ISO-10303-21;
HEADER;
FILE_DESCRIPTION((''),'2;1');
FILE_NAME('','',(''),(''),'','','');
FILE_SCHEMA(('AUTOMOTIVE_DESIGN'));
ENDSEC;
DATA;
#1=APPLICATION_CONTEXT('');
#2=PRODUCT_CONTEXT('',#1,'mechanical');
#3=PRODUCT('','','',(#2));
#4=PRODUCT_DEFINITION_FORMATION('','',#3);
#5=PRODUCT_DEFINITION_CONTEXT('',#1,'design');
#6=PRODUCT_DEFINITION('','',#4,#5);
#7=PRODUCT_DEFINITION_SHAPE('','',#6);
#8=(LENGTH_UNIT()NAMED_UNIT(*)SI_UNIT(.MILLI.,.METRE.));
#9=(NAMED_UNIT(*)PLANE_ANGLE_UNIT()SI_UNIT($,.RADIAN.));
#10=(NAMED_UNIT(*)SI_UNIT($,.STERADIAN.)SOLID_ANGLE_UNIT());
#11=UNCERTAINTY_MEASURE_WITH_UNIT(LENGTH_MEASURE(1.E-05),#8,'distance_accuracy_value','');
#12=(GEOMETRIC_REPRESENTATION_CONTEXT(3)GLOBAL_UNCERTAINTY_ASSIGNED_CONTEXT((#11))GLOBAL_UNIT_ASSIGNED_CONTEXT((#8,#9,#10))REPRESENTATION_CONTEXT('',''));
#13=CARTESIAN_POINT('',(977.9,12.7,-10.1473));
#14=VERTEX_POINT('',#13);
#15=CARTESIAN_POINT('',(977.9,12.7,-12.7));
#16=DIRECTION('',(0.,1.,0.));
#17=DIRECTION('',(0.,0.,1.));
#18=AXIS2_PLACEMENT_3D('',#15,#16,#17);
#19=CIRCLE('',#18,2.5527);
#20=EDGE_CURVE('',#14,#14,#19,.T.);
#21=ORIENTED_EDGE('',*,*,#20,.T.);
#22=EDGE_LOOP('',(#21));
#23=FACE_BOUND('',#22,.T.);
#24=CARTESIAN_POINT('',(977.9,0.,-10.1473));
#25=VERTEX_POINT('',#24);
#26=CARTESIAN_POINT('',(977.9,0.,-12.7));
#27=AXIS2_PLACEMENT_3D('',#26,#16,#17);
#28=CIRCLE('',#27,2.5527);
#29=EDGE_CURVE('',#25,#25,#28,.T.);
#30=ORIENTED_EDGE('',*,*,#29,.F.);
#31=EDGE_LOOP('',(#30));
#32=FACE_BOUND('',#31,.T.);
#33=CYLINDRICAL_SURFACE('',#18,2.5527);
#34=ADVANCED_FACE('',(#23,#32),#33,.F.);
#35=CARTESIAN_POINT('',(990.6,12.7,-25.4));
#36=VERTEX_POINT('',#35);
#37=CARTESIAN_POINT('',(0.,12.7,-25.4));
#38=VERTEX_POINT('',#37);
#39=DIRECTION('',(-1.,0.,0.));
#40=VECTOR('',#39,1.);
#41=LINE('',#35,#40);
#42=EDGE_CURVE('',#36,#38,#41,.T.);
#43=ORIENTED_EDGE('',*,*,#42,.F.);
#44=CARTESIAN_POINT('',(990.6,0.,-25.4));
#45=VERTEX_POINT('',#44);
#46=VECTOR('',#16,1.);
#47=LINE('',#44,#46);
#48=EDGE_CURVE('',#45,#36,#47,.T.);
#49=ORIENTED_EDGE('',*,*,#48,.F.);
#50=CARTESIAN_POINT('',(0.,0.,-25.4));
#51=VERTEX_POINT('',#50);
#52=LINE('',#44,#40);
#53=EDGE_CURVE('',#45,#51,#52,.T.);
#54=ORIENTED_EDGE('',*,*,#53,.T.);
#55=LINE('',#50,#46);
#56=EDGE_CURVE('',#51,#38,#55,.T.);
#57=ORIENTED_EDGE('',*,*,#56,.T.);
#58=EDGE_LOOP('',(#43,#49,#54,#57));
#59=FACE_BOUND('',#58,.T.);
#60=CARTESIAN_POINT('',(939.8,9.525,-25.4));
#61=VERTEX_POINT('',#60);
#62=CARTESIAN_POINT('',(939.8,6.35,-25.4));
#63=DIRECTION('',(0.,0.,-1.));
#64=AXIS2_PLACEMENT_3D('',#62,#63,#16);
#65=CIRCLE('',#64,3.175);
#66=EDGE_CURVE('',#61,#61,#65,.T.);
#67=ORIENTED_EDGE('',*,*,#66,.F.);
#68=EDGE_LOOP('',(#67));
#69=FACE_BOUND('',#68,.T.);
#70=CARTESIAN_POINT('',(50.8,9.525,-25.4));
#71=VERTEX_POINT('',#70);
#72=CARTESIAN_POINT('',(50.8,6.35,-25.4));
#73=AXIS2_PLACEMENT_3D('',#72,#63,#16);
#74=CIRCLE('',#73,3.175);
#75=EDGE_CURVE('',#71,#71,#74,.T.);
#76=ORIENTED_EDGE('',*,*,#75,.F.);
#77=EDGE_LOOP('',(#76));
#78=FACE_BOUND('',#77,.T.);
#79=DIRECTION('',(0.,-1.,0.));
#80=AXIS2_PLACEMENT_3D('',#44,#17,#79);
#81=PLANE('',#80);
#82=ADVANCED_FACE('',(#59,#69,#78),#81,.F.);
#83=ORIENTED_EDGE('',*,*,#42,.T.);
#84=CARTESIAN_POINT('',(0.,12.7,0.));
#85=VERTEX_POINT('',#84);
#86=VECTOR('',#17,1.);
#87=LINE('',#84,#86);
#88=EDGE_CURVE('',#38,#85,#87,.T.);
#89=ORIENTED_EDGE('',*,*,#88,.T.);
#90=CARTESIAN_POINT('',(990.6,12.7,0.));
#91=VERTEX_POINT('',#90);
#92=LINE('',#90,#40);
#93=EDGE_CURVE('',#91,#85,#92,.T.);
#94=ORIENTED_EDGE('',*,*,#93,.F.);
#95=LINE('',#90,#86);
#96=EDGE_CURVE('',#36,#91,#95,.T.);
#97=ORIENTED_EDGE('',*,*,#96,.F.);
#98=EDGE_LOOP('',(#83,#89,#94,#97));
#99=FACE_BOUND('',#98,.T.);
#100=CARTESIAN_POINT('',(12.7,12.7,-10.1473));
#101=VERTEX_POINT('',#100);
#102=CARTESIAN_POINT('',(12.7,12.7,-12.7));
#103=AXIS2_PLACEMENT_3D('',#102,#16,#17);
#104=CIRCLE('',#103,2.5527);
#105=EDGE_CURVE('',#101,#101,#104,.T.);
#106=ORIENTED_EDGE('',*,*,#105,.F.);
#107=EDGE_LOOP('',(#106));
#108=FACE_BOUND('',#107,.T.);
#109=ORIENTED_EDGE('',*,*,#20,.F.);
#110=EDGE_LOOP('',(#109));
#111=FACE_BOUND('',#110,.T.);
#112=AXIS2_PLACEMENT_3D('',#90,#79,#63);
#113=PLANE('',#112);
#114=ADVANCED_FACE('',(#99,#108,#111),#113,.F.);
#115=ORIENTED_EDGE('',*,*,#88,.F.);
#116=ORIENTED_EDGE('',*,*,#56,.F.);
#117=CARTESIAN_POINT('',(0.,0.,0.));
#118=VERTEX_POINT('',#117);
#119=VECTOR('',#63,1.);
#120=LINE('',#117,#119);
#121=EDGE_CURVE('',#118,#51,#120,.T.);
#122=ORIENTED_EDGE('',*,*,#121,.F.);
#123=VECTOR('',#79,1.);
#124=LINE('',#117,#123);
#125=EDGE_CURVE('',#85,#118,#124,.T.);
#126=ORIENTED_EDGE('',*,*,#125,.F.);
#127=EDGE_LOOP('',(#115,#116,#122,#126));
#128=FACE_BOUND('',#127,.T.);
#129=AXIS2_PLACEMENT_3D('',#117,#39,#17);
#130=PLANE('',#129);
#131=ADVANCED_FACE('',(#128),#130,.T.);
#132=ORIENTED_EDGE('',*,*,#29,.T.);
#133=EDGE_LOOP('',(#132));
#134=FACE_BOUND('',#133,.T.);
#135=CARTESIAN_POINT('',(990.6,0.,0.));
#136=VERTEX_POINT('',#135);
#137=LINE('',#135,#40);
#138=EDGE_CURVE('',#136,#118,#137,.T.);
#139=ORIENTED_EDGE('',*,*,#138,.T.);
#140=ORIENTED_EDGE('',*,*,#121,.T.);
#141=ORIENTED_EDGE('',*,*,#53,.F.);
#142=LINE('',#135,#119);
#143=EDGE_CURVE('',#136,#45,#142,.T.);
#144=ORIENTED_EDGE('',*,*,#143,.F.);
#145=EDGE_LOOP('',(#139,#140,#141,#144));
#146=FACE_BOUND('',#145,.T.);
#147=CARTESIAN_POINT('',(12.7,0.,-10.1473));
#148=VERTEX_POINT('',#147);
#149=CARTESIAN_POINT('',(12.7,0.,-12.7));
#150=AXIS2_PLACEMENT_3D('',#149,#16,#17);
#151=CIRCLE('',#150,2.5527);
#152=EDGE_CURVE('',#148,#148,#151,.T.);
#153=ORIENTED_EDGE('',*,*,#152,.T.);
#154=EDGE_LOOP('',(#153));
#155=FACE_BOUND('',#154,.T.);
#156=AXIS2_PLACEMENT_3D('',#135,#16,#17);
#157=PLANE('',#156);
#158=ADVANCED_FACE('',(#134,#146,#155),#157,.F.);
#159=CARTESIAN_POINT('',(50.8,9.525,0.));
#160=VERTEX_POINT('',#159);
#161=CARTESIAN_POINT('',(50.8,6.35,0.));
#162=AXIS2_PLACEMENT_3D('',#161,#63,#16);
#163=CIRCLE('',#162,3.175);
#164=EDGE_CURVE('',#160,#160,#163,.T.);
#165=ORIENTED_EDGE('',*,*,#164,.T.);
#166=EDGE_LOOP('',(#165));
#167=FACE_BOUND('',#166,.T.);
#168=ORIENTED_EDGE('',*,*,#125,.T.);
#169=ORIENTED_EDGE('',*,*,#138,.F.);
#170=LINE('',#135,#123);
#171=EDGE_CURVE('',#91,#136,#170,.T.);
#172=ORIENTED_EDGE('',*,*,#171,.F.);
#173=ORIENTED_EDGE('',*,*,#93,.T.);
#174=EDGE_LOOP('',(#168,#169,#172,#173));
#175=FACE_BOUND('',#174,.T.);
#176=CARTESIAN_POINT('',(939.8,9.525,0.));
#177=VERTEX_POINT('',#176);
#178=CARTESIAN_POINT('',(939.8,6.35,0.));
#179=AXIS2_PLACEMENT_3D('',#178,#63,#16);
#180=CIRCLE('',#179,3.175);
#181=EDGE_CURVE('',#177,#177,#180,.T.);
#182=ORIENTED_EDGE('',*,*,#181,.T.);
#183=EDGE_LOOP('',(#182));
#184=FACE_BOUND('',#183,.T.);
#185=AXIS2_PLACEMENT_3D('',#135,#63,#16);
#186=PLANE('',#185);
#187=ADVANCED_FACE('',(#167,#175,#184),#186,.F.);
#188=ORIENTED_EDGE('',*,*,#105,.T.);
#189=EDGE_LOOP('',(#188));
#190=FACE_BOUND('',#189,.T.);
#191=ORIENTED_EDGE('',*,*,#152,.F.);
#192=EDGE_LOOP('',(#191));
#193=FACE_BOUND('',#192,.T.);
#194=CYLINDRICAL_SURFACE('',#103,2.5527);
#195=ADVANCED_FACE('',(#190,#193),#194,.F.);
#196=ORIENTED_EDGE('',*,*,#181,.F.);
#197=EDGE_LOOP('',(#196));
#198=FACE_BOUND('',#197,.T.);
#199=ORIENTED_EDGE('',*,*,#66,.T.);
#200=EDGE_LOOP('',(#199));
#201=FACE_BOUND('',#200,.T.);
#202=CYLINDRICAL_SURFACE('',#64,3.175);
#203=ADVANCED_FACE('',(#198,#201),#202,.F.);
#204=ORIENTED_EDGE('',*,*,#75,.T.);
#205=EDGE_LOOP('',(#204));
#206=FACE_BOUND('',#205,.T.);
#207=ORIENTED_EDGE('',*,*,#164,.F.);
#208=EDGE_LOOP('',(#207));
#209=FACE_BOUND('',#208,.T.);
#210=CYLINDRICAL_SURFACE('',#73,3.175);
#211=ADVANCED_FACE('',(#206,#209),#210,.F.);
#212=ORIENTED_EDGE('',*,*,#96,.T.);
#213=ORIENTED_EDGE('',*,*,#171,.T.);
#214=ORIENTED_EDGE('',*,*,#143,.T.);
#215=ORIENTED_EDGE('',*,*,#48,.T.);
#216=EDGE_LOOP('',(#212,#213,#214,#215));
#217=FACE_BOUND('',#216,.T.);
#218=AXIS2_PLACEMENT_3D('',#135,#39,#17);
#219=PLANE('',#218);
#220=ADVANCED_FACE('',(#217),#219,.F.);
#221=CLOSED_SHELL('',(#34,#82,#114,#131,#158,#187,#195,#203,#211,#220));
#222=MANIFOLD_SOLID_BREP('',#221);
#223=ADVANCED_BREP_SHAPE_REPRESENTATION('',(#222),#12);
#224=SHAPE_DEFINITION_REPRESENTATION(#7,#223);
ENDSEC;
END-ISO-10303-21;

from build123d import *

# Parameters (mm, degrees)
SKETCH1_W                   = 25.4
SKETCH1_H                   = 12.7
BOSS_EXTRUDE1_DEPTH         = 990.6
F_1_4_20_TAPPED_HOLE1_D     = 5.1054
F_1_4_0_25_DIAMETER_HOLE1_D = 6.35


with BuildPart() as part:
    # Sketch1 → Boss-Extrude1 (new body)
    with BuildSketch(Plane(origin=(0, 0, 0), x_dir=(0, 0, -1), z_dir=(1, 0, 0))):
        with Locations((12.7, 6.35)):
            Rectangle(SKETCH1_W, SKETCH1_H)
    extrude(amount=BOSS_EXTRUDE1_DEPTH)

    # 1/4-20 Tapped Hole1 (through all)
    with Locations(Plane(origin=(0, 12.7, 0), x_dir=(1, 0, 0), z_dir=(0, 1, 0))):
        with Locations((12.7, 12.7), (977.9, 12.7)):
            Hole(F_1_4_20_TAPPED_HOLE1_D / 2)

    # 1/4 (0.25) Diameter Hole1 (through all)
    with Locations(Plane(origin=(0, 0, -25.4), x_dir=(-1, 0, 0), z_dir=(0, 0, -1))):
        with Locations((-939.8, 6.35), (-50.8, 6.35)):
            Hole(F_1_4_0_25_DIAMETER_HOLE1_D / 2)


solid = part.part
